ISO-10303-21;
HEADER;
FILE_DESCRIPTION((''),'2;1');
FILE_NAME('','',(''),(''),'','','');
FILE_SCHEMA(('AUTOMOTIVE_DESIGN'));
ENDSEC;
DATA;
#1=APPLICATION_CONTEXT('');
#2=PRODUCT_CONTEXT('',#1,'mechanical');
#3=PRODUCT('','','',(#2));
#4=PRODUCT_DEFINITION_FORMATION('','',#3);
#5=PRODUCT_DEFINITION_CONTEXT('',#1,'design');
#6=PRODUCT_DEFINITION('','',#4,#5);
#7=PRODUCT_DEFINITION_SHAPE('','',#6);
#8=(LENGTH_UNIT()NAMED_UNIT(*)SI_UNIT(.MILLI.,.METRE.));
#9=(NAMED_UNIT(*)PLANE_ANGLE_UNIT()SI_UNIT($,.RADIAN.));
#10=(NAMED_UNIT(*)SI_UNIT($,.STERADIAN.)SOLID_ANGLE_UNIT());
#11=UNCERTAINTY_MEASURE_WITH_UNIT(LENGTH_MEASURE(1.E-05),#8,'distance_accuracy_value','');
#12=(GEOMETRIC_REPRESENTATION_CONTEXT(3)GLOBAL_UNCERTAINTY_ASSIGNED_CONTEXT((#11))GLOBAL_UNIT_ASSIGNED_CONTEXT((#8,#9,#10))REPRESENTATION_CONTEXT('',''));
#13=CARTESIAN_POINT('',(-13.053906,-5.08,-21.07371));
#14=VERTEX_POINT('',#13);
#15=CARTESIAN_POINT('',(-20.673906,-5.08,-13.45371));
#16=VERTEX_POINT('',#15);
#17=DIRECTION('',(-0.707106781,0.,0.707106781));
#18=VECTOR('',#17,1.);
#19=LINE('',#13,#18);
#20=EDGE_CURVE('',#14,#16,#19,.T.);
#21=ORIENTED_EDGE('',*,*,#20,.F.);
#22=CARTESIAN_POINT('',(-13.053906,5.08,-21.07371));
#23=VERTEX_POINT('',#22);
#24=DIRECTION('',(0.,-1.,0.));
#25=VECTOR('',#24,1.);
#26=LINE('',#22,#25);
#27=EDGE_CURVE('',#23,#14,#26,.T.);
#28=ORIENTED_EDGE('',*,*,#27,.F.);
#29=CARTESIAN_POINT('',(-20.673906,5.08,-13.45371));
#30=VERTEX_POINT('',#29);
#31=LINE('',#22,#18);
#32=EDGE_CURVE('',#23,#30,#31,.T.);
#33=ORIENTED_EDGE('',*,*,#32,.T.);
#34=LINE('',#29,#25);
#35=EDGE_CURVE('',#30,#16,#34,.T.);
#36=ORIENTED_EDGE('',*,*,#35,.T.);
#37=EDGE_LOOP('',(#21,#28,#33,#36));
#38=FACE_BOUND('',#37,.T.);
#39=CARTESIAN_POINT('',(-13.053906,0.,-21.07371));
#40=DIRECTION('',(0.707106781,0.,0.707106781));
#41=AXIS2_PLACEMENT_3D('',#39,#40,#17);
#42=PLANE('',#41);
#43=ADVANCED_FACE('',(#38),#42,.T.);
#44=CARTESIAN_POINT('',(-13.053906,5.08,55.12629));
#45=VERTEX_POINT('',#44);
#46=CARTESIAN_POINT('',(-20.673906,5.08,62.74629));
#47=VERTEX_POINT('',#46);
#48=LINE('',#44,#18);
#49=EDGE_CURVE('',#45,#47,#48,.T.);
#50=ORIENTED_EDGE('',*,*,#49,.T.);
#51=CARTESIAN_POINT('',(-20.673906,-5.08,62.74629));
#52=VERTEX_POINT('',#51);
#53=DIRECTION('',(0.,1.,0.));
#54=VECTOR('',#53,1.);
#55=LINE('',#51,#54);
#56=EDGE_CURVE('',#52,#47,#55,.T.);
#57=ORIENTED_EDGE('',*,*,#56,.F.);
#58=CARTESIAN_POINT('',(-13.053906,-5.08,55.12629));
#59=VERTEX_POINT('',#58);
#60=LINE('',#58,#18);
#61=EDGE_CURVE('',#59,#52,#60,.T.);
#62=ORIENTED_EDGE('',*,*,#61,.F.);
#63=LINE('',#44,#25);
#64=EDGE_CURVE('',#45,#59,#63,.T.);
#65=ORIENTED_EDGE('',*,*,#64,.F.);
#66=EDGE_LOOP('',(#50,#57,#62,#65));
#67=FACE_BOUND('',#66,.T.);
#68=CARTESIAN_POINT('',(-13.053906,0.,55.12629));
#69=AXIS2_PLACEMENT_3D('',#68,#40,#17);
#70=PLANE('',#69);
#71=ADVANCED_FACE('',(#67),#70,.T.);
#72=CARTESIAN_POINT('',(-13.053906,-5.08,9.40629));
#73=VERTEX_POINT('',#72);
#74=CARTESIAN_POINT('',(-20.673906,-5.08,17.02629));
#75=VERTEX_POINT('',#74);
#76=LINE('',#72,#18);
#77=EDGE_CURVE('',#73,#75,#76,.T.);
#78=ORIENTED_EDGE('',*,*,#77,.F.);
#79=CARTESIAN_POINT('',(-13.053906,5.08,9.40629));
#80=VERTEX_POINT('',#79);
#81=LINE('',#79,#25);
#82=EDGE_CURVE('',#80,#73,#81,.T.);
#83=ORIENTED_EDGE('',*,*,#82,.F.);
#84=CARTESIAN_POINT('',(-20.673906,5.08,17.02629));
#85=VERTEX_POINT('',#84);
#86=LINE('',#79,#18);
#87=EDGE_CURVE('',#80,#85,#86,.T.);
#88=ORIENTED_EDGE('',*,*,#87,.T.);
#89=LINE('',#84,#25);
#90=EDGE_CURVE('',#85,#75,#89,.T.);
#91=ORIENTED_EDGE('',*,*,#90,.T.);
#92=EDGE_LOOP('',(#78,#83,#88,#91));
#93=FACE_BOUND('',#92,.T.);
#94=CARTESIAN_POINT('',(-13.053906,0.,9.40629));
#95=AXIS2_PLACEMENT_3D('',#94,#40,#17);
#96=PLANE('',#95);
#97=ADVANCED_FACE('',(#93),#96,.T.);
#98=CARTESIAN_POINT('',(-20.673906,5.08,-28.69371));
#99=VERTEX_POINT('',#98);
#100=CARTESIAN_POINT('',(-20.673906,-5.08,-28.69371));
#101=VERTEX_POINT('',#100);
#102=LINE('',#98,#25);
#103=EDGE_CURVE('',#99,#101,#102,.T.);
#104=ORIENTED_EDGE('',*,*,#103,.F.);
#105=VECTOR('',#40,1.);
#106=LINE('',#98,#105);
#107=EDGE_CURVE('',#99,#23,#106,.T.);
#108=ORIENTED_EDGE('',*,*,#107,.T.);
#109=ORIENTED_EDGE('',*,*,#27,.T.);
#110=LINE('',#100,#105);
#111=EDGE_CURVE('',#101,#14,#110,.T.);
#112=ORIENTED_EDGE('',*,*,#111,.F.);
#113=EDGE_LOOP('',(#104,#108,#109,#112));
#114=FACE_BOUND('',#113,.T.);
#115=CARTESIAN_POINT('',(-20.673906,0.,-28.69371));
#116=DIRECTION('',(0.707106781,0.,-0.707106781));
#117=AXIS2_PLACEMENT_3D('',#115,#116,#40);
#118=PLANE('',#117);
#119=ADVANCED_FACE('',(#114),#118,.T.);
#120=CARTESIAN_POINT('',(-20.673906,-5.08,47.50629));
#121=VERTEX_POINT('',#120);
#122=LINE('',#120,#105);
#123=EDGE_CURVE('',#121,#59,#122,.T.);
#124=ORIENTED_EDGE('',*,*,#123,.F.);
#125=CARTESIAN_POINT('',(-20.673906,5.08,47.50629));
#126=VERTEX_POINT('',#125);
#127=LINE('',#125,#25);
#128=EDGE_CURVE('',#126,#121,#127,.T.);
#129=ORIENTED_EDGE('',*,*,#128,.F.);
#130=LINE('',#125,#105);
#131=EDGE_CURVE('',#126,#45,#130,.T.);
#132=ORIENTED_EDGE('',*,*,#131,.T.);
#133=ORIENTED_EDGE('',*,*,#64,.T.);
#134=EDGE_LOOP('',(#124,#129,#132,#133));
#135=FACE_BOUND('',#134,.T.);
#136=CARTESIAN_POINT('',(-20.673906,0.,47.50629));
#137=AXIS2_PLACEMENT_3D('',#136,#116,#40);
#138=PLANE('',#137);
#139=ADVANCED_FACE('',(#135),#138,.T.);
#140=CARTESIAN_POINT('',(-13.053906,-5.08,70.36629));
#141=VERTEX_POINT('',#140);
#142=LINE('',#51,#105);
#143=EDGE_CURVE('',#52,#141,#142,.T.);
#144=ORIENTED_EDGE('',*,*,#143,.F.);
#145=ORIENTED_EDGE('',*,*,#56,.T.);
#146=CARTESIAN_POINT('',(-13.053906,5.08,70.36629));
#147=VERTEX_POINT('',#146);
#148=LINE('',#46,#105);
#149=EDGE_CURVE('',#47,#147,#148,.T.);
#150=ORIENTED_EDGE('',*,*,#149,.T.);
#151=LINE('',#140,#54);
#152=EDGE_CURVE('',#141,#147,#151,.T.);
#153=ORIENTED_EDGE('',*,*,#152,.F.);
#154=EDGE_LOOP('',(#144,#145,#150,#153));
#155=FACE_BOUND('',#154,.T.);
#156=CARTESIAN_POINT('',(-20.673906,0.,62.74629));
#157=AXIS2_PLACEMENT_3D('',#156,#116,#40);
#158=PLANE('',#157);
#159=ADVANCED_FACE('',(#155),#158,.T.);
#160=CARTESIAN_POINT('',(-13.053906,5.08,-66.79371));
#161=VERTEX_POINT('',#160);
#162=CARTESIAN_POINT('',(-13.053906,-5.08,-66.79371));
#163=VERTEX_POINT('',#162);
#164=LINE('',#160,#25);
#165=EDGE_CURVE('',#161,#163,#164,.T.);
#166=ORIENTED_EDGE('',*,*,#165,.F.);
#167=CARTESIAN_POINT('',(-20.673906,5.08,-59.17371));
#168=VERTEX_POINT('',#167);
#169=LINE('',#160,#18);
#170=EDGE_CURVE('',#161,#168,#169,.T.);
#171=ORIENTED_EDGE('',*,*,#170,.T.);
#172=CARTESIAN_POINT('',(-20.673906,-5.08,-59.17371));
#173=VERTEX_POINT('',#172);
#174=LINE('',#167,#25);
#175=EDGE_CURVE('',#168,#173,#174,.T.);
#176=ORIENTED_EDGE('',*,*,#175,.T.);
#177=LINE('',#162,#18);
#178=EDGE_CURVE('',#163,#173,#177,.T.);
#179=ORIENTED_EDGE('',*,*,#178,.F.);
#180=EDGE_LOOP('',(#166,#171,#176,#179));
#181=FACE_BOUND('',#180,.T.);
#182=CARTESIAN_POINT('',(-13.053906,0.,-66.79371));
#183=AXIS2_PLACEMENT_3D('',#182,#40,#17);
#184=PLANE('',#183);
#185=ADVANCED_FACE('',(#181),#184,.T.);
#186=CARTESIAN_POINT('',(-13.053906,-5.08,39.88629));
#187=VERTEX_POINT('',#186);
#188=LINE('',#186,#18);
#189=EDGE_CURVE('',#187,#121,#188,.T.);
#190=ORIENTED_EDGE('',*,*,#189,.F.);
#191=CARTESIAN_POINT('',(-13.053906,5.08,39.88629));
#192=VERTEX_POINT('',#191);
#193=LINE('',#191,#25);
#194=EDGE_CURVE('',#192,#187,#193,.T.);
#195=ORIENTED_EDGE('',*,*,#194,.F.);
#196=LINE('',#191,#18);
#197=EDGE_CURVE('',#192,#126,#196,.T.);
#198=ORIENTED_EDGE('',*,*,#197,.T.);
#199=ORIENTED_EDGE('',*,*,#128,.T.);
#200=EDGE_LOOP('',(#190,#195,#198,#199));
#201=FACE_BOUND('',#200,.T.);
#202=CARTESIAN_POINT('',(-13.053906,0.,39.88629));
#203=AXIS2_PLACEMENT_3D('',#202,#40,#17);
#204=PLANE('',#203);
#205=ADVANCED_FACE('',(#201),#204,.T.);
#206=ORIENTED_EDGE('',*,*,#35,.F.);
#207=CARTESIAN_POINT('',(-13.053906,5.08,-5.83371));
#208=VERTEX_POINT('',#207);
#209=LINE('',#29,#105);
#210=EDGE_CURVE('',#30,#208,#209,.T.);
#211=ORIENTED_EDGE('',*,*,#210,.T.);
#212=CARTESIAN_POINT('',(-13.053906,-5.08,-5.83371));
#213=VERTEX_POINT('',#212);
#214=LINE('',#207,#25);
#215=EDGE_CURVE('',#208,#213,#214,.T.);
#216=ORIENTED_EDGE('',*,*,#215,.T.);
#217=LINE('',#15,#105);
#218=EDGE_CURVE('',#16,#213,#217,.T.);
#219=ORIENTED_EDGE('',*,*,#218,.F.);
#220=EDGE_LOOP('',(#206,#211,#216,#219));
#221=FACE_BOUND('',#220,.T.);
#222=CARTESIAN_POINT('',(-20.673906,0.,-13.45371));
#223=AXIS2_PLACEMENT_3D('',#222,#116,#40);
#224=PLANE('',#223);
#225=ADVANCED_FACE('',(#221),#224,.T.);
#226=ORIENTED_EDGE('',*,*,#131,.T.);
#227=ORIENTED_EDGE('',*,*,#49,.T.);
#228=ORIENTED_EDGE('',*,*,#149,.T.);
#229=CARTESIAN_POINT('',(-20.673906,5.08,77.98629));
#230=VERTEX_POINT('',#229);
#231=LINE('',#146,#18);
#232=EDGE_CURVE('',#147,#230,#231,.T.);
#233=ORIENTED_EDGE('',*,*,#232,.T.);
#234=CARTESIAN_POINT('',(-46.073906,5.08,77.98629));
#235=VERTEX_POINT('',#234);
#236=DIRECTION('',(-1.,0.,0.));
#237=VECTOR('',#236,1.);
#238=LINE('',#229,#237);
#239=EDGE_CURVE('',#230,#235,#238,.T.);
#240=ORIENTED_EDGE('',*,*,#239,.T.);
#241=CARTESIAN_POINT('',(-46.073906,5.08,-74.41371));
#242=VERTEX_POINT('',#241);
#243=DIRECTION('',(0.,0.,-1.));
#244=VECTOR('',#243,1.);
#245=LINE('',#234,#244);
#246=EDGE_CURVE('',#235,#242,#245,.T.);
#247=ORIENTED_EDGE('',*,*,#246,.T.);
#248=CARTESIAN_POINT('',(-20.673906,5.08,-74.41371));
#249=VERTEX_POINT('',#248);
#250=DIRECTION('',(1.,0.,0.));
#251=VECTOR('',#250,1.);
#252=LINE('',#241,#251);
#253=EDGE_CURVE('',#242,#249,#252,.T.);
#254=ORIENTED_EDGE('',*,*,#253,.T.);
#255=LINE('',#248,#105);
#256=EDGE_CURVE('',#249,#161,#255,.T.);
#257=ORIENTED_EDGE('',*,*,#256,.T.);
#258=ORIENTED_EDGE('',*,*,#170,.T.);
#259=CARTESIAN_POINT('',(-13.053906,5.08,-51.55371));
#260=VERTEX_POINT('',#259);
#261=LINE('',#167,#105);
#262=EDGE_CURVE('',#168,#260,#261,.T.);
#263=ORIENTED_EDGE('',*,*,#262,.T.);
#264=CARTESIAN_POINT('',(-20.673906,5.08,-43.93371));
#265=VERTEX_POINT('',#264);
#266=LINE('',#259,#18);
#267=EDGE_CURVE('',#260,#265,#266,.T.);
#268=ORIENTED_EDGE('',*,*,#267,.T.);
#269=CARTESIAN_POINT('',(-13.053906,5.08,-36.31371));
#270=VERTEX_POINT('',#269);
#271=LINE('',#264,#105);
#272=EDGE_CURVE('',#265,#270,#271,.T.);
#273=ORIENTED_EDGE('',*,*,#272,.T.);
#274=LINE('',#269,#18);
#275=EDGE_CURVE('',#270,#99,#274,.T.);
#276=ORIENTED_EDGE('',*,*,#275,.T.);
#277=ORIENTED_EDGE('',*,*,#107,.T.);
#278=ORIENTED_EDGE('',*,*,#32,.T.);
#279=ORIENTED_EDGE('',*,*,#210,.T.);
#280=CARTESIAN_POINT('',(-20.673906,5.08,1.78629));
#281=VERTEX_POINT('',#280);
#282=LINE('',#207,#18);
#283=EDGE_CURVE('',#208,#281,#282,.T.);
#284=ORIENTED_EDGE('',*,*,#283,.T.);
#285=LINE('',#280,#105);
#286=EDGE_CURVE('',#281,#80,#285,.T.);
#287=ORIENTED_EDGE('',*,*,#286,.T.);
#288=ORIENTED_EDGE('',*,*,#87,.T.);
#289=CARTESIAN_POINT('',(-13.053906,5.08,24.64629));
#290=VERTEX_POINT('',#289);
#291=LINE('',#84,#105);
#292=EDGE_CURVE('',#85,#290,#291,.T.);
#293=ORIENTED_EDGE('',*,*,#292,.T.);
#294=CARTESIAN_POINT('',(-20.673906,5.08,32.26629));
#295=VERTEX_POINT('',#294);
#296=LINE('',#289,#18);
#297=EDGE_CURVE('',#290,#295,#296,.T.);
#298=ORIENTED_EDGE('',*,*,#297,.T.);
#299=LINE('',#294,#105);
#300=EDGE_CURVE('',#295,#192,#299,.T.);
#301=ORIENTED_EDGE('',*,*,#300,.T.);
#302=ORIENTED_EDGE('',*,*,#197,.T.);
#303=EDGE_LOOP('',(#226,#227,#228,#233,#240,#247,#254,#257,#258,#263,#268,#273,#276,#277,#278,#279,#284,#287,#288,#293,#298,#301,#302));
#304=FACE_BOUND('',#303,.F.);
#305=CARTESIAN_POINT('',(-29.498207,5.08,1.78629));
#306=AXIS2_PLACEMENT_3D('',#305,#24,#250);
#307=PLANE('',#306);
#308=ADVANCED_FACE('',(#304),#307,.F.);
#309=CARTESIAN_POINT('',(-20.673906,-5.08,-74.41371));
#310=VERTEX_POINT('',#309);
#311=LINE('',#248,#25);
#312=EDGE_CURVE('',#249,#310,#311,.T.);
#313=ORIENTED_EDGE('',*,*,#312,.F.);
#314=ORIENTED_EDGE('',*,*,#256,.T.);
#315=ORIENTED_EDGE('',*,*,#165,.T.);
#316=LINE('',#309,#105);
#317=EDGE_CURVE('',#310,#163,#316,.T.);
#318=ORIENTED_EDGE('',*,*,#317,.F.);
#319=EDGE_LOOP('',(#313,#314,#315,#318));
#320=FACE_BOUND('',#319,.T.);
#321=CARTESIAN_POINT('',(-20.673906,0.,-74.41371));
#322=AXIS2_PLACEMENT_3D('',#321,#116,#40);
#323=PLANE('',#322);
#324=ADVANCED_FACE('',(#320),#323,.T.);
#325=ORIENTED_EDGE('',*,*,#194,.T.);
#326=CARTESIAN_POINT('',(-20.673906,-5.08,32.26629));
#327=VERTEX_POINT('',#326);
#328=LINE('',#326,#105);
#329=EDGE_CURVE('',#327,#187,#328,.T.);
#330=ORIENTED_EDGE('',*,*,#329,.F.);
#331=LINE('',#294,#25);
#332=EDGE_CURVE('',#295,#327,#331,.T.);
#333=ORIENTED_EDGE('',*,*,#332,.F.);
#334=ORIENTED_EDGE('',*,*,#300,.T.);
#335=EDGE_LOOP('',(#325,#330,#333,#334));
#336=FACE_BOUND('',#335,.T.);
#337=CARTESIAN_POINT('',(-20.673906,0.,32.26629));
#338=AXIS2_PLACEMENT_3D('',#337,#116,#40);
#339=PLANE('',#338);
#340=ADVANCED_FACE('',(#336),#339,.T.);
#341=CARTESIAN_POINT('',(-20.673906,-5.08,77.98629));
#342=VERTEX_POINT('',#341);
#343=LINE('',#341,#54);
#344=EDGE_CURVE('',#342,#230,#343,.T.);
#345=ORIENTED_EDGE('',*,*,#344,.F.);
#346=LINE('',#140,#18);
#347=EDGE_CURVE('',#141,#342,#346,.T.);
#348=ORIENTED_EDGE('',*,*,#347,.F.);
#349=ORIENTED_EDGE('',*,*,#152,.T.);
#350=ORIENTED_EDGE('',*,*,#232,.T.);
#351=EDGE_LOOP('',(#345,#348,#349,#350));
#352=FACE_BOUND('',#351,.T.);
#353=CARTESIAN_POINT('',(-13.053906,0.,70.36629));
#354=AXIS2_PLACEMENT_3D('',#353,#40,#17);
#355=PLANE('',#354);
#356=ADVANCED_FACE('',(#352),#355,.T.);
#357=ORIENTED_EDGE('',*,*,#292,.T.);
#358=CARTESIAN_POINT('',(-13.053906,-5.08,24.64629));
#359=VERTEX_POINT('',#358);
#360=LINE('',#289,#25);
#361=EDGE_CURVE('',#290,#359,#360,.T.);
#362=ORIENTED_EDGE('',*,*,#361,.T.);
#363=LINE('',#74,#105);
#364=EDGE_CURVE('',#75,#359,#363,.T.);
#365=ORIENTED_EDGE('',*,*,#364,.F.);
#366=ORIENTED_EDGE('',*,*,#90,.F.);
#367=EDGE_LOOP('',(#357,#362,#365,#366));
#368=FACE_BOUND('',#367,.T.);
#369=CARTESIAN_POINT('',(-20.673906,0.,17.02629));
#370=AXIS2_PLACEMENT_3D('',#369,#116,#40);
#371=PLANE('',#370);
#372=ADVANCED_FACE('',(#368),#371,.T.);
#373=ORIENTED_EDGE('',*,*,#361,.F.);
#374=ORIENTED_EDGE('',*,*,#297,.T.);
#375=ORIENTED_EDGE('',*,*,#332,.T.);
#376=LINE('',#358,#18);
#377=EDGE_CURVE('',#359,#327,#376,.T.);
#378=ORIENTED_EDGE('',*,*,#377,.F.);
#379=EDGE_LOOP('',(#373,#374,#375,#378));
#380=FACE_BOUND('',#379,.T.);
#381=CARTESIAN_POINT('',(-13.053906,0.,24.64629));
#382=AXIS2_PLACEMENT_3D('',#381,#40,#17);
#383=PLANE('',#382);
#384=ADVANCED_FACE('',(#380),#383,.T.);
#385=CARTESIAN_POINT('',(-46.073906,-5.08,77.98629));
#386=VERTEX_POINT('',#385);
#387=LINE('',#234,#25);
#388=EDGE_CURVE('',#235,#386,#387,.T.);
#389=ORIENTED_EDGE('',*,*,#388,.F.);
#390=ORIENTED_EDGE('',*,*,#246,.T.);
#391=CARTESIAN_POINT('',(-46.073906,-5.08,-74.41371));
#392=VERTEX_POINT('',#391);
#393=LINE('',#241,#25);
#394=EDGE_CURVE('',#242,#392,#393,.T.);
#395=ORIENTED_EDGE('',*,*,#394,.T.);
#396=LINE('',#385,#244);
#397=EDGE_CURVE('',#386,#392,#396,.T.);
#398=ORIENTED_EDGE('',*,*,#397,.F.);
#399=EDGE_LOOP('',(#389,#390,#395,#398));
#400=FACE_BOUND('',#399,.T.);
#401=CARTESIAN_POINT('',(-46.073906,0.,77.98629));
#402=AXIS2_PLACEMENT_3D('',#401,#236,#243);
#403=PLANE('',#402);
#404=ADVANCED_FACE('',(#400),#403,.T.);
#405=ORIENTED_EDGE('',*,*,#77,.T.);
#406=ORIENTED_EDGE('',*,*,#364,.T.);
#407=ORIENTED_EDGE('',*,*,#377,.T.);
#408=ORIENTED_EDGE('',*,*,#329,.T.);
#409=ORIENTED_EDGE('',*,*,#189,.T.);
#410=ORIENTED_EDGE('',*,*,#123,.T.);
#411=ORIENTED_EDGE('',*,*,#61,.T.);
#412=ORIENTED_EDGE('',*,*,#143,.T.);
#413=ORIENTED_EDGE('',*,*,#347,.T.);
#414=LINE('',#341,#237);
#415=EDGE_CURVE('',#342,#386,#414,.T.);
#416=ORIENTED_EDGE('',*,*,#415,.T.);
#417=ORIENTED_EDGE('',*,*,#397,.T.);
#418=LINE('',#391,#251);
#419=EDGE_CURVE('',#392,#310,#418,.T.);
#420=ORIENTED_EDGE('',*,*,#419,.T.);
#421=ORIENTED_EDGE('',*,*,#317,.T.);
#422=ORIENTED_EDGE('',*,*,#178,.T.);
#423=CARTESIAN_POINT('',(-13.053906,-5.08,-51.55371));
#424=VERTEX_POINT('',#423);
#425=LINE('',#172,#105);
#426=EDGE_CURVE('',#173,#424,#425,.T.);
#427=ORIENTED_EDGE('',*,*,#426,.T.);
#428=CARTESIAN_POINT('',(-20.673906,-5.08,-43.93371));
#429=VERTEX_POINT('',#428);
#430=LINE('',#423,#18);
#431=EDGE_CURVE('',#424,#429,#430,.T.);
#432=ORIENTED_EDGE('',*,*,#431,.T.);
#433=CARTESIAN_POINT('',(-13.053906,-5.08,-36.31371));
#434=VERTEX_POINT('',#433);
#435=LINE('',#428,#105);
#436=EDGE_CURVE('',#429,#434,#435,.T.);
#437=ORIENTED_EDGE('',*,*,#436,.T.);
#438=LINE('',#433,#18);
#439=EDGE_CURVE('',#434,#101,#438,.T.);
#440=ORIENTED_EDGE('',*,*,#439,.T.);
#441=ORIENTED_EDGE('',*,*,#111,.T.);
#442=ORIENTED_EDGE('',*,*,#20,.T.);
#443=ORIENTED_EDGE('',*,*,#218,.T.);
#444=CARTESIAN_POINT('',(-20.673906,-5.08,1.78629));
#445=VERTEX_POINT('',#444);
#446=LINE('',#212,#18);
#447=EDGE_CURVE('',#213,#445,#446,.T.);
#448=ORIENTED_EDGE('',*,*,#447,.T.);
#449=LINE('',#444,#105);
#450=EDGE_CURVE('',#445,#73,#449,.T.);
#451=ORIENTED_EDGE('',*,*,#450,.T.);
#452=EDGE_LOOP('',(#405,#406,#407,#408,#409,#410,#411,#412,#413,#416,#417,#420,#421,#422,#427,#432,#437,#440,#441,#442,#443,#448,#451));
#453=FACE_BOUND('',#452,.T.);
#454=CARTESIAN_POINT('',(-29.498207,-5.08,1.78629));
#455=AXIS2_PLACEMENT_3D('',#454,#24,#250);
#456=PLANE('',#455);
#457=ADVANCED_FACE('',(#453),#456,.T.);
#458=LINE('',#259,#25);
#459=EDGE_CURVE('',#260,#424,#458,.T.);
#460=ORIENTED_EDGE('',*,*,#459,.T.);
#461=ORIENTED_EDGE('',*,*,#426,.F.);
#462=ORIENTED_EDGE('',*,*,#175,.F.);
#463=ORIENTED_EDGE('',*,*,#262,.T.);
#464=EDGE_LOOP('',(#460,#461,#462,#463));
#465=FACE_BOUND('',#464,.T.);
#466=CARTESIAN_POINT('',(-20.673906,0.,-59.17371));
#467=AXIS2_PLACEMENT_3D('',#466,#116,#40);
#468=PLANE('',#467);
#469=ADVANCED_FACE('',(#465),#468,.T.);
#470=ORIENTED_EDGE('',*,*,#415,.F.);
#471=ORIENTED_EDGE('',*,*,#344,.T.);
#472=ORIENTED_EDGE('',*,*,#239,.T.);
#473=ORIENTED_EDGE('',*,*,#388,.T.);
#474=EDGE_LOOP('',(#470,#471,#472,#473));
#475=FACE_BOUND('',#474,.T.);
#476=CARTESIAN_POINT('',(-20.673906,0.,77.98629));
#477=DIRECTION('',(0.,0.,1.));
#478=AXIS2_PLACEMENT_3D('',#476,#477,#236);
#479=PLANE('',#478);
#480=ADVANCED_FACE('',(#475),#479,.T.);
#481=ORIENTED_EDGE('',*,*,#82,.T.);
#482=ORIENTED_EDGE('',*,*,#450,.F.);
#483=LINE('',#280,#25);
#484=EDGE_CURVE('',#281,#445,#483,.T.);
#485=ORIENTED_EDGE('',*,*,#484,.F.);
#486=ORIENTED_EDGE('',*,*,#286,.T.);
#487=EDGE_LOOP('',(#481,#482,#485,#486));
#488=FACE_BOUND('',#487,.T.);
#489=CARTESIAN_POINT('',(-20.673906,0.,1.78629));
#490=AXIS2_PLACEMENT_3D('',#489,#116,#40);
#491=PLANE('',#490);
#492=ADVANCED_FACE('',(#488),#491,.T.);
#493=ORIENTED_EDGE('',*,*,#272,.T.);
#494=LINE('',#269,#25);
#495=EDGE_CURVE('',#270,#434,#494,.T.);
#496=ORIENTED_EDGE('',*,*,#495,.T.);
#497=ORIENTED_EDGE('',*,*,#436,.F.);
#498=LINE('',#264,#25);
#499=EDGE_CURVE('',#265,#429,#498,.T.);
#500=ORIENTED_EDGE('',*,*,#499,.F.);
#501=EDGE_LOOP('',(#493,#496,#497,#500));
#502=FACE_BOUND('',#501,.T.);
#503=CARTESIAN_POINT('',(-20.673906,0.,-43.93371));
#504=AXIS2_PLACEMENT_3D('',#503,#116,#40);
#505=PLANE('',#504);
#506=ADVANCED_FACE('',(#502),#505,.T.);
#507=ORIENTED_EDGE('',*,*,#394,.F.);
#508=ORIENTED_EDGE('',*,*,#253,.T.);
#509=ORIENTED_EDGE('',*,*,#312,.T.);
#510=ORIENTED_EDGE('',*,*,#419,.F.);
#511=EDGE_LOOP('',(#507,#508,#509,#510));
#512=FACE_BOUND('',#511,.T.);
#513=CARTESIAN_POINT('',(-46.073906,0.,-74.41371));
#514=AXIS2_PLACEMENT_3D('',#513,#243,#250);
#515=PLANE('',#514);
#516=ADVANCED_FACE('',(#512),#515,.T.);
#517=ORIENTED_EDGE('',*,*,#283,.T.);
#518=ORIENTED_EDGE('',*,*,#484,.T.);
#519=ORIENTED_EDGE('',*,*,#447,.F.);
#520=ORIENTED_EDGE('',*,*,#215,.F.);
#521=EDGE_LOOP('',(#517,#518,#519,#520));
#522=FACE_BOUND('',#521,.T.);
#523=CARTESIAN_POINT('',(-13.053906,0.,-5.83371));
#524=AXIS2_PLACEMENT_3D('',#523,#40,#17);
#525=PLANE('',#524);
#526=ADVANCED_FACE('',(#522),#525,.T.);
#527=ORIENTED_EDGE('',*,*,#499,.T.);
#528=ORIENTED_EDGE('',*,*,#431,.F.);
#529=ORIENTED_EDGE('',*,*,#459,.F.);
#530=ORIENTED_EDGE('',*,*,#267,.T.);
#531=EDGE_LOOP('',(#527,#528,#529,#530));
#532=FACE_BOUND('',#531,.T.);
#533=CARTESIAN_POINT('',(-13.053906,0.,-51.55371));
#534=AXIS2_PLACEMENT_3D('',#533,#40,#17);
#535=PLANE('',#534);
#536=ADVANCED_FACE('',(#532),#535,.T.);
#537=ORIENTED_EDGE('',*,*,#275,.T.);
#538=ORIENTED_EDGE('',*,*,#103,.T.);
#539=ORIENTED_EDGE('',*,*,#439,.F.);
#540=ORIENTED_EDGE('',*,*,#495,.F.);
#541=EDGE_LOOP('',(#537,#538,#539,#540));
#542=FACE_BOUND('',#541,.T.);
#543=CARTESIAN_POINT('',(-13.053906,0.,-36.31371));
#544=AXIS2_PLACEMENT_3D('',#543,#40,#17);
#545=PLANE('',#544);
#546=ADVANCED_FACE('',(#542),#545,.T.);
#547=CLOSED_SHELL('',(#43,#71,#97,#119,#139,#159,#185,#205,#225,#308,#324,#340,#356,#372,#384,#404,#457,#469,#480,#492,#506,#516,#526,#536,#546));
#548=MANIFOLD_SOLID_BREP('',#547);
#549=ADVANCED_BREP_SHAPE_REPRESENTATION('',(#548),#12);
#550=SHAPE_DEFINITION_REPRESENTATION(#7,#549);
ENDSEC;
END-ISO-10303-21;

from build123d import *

# Parameters (mm, degrees)
F1_DEPTH = 5.08


with BuildPart() as f1:
    # F0 (on Front) → F1 (new body, symmetric)
    with BuildSketch(Plane.XZ):
        Polygon((-20.673906, 77.98629), (-46.073906, 77.98629), (-46.073906, -74.41371), (-20.673906, -74.41371), (-13.053906, -66.79371), (-20.673906, -59.17371), (-13.053906, -51.55371), (-20.673906, -43.93371), (-13.053906, -36.31371), (-20.673906, -28.69371), (-13.053906, -21.07371), (-20.673906, -13.45371), (-13.053906, -5.83371), (-20.673906, 1.78629), (-13.053906, 9.40629), (-20.673906, 17.02629), (-13.053906, 24.64629), (-20.673906, 32.26629), (-13.053906, 39.88629), (-20.673906, 47.50629), (-13.053906, 55.12629), (-20.673906, 62.74629), (-13.053906, 70.36629), align=None)
    extrude(amount=F1_DEPTH, both=True)


solid = f1.part
